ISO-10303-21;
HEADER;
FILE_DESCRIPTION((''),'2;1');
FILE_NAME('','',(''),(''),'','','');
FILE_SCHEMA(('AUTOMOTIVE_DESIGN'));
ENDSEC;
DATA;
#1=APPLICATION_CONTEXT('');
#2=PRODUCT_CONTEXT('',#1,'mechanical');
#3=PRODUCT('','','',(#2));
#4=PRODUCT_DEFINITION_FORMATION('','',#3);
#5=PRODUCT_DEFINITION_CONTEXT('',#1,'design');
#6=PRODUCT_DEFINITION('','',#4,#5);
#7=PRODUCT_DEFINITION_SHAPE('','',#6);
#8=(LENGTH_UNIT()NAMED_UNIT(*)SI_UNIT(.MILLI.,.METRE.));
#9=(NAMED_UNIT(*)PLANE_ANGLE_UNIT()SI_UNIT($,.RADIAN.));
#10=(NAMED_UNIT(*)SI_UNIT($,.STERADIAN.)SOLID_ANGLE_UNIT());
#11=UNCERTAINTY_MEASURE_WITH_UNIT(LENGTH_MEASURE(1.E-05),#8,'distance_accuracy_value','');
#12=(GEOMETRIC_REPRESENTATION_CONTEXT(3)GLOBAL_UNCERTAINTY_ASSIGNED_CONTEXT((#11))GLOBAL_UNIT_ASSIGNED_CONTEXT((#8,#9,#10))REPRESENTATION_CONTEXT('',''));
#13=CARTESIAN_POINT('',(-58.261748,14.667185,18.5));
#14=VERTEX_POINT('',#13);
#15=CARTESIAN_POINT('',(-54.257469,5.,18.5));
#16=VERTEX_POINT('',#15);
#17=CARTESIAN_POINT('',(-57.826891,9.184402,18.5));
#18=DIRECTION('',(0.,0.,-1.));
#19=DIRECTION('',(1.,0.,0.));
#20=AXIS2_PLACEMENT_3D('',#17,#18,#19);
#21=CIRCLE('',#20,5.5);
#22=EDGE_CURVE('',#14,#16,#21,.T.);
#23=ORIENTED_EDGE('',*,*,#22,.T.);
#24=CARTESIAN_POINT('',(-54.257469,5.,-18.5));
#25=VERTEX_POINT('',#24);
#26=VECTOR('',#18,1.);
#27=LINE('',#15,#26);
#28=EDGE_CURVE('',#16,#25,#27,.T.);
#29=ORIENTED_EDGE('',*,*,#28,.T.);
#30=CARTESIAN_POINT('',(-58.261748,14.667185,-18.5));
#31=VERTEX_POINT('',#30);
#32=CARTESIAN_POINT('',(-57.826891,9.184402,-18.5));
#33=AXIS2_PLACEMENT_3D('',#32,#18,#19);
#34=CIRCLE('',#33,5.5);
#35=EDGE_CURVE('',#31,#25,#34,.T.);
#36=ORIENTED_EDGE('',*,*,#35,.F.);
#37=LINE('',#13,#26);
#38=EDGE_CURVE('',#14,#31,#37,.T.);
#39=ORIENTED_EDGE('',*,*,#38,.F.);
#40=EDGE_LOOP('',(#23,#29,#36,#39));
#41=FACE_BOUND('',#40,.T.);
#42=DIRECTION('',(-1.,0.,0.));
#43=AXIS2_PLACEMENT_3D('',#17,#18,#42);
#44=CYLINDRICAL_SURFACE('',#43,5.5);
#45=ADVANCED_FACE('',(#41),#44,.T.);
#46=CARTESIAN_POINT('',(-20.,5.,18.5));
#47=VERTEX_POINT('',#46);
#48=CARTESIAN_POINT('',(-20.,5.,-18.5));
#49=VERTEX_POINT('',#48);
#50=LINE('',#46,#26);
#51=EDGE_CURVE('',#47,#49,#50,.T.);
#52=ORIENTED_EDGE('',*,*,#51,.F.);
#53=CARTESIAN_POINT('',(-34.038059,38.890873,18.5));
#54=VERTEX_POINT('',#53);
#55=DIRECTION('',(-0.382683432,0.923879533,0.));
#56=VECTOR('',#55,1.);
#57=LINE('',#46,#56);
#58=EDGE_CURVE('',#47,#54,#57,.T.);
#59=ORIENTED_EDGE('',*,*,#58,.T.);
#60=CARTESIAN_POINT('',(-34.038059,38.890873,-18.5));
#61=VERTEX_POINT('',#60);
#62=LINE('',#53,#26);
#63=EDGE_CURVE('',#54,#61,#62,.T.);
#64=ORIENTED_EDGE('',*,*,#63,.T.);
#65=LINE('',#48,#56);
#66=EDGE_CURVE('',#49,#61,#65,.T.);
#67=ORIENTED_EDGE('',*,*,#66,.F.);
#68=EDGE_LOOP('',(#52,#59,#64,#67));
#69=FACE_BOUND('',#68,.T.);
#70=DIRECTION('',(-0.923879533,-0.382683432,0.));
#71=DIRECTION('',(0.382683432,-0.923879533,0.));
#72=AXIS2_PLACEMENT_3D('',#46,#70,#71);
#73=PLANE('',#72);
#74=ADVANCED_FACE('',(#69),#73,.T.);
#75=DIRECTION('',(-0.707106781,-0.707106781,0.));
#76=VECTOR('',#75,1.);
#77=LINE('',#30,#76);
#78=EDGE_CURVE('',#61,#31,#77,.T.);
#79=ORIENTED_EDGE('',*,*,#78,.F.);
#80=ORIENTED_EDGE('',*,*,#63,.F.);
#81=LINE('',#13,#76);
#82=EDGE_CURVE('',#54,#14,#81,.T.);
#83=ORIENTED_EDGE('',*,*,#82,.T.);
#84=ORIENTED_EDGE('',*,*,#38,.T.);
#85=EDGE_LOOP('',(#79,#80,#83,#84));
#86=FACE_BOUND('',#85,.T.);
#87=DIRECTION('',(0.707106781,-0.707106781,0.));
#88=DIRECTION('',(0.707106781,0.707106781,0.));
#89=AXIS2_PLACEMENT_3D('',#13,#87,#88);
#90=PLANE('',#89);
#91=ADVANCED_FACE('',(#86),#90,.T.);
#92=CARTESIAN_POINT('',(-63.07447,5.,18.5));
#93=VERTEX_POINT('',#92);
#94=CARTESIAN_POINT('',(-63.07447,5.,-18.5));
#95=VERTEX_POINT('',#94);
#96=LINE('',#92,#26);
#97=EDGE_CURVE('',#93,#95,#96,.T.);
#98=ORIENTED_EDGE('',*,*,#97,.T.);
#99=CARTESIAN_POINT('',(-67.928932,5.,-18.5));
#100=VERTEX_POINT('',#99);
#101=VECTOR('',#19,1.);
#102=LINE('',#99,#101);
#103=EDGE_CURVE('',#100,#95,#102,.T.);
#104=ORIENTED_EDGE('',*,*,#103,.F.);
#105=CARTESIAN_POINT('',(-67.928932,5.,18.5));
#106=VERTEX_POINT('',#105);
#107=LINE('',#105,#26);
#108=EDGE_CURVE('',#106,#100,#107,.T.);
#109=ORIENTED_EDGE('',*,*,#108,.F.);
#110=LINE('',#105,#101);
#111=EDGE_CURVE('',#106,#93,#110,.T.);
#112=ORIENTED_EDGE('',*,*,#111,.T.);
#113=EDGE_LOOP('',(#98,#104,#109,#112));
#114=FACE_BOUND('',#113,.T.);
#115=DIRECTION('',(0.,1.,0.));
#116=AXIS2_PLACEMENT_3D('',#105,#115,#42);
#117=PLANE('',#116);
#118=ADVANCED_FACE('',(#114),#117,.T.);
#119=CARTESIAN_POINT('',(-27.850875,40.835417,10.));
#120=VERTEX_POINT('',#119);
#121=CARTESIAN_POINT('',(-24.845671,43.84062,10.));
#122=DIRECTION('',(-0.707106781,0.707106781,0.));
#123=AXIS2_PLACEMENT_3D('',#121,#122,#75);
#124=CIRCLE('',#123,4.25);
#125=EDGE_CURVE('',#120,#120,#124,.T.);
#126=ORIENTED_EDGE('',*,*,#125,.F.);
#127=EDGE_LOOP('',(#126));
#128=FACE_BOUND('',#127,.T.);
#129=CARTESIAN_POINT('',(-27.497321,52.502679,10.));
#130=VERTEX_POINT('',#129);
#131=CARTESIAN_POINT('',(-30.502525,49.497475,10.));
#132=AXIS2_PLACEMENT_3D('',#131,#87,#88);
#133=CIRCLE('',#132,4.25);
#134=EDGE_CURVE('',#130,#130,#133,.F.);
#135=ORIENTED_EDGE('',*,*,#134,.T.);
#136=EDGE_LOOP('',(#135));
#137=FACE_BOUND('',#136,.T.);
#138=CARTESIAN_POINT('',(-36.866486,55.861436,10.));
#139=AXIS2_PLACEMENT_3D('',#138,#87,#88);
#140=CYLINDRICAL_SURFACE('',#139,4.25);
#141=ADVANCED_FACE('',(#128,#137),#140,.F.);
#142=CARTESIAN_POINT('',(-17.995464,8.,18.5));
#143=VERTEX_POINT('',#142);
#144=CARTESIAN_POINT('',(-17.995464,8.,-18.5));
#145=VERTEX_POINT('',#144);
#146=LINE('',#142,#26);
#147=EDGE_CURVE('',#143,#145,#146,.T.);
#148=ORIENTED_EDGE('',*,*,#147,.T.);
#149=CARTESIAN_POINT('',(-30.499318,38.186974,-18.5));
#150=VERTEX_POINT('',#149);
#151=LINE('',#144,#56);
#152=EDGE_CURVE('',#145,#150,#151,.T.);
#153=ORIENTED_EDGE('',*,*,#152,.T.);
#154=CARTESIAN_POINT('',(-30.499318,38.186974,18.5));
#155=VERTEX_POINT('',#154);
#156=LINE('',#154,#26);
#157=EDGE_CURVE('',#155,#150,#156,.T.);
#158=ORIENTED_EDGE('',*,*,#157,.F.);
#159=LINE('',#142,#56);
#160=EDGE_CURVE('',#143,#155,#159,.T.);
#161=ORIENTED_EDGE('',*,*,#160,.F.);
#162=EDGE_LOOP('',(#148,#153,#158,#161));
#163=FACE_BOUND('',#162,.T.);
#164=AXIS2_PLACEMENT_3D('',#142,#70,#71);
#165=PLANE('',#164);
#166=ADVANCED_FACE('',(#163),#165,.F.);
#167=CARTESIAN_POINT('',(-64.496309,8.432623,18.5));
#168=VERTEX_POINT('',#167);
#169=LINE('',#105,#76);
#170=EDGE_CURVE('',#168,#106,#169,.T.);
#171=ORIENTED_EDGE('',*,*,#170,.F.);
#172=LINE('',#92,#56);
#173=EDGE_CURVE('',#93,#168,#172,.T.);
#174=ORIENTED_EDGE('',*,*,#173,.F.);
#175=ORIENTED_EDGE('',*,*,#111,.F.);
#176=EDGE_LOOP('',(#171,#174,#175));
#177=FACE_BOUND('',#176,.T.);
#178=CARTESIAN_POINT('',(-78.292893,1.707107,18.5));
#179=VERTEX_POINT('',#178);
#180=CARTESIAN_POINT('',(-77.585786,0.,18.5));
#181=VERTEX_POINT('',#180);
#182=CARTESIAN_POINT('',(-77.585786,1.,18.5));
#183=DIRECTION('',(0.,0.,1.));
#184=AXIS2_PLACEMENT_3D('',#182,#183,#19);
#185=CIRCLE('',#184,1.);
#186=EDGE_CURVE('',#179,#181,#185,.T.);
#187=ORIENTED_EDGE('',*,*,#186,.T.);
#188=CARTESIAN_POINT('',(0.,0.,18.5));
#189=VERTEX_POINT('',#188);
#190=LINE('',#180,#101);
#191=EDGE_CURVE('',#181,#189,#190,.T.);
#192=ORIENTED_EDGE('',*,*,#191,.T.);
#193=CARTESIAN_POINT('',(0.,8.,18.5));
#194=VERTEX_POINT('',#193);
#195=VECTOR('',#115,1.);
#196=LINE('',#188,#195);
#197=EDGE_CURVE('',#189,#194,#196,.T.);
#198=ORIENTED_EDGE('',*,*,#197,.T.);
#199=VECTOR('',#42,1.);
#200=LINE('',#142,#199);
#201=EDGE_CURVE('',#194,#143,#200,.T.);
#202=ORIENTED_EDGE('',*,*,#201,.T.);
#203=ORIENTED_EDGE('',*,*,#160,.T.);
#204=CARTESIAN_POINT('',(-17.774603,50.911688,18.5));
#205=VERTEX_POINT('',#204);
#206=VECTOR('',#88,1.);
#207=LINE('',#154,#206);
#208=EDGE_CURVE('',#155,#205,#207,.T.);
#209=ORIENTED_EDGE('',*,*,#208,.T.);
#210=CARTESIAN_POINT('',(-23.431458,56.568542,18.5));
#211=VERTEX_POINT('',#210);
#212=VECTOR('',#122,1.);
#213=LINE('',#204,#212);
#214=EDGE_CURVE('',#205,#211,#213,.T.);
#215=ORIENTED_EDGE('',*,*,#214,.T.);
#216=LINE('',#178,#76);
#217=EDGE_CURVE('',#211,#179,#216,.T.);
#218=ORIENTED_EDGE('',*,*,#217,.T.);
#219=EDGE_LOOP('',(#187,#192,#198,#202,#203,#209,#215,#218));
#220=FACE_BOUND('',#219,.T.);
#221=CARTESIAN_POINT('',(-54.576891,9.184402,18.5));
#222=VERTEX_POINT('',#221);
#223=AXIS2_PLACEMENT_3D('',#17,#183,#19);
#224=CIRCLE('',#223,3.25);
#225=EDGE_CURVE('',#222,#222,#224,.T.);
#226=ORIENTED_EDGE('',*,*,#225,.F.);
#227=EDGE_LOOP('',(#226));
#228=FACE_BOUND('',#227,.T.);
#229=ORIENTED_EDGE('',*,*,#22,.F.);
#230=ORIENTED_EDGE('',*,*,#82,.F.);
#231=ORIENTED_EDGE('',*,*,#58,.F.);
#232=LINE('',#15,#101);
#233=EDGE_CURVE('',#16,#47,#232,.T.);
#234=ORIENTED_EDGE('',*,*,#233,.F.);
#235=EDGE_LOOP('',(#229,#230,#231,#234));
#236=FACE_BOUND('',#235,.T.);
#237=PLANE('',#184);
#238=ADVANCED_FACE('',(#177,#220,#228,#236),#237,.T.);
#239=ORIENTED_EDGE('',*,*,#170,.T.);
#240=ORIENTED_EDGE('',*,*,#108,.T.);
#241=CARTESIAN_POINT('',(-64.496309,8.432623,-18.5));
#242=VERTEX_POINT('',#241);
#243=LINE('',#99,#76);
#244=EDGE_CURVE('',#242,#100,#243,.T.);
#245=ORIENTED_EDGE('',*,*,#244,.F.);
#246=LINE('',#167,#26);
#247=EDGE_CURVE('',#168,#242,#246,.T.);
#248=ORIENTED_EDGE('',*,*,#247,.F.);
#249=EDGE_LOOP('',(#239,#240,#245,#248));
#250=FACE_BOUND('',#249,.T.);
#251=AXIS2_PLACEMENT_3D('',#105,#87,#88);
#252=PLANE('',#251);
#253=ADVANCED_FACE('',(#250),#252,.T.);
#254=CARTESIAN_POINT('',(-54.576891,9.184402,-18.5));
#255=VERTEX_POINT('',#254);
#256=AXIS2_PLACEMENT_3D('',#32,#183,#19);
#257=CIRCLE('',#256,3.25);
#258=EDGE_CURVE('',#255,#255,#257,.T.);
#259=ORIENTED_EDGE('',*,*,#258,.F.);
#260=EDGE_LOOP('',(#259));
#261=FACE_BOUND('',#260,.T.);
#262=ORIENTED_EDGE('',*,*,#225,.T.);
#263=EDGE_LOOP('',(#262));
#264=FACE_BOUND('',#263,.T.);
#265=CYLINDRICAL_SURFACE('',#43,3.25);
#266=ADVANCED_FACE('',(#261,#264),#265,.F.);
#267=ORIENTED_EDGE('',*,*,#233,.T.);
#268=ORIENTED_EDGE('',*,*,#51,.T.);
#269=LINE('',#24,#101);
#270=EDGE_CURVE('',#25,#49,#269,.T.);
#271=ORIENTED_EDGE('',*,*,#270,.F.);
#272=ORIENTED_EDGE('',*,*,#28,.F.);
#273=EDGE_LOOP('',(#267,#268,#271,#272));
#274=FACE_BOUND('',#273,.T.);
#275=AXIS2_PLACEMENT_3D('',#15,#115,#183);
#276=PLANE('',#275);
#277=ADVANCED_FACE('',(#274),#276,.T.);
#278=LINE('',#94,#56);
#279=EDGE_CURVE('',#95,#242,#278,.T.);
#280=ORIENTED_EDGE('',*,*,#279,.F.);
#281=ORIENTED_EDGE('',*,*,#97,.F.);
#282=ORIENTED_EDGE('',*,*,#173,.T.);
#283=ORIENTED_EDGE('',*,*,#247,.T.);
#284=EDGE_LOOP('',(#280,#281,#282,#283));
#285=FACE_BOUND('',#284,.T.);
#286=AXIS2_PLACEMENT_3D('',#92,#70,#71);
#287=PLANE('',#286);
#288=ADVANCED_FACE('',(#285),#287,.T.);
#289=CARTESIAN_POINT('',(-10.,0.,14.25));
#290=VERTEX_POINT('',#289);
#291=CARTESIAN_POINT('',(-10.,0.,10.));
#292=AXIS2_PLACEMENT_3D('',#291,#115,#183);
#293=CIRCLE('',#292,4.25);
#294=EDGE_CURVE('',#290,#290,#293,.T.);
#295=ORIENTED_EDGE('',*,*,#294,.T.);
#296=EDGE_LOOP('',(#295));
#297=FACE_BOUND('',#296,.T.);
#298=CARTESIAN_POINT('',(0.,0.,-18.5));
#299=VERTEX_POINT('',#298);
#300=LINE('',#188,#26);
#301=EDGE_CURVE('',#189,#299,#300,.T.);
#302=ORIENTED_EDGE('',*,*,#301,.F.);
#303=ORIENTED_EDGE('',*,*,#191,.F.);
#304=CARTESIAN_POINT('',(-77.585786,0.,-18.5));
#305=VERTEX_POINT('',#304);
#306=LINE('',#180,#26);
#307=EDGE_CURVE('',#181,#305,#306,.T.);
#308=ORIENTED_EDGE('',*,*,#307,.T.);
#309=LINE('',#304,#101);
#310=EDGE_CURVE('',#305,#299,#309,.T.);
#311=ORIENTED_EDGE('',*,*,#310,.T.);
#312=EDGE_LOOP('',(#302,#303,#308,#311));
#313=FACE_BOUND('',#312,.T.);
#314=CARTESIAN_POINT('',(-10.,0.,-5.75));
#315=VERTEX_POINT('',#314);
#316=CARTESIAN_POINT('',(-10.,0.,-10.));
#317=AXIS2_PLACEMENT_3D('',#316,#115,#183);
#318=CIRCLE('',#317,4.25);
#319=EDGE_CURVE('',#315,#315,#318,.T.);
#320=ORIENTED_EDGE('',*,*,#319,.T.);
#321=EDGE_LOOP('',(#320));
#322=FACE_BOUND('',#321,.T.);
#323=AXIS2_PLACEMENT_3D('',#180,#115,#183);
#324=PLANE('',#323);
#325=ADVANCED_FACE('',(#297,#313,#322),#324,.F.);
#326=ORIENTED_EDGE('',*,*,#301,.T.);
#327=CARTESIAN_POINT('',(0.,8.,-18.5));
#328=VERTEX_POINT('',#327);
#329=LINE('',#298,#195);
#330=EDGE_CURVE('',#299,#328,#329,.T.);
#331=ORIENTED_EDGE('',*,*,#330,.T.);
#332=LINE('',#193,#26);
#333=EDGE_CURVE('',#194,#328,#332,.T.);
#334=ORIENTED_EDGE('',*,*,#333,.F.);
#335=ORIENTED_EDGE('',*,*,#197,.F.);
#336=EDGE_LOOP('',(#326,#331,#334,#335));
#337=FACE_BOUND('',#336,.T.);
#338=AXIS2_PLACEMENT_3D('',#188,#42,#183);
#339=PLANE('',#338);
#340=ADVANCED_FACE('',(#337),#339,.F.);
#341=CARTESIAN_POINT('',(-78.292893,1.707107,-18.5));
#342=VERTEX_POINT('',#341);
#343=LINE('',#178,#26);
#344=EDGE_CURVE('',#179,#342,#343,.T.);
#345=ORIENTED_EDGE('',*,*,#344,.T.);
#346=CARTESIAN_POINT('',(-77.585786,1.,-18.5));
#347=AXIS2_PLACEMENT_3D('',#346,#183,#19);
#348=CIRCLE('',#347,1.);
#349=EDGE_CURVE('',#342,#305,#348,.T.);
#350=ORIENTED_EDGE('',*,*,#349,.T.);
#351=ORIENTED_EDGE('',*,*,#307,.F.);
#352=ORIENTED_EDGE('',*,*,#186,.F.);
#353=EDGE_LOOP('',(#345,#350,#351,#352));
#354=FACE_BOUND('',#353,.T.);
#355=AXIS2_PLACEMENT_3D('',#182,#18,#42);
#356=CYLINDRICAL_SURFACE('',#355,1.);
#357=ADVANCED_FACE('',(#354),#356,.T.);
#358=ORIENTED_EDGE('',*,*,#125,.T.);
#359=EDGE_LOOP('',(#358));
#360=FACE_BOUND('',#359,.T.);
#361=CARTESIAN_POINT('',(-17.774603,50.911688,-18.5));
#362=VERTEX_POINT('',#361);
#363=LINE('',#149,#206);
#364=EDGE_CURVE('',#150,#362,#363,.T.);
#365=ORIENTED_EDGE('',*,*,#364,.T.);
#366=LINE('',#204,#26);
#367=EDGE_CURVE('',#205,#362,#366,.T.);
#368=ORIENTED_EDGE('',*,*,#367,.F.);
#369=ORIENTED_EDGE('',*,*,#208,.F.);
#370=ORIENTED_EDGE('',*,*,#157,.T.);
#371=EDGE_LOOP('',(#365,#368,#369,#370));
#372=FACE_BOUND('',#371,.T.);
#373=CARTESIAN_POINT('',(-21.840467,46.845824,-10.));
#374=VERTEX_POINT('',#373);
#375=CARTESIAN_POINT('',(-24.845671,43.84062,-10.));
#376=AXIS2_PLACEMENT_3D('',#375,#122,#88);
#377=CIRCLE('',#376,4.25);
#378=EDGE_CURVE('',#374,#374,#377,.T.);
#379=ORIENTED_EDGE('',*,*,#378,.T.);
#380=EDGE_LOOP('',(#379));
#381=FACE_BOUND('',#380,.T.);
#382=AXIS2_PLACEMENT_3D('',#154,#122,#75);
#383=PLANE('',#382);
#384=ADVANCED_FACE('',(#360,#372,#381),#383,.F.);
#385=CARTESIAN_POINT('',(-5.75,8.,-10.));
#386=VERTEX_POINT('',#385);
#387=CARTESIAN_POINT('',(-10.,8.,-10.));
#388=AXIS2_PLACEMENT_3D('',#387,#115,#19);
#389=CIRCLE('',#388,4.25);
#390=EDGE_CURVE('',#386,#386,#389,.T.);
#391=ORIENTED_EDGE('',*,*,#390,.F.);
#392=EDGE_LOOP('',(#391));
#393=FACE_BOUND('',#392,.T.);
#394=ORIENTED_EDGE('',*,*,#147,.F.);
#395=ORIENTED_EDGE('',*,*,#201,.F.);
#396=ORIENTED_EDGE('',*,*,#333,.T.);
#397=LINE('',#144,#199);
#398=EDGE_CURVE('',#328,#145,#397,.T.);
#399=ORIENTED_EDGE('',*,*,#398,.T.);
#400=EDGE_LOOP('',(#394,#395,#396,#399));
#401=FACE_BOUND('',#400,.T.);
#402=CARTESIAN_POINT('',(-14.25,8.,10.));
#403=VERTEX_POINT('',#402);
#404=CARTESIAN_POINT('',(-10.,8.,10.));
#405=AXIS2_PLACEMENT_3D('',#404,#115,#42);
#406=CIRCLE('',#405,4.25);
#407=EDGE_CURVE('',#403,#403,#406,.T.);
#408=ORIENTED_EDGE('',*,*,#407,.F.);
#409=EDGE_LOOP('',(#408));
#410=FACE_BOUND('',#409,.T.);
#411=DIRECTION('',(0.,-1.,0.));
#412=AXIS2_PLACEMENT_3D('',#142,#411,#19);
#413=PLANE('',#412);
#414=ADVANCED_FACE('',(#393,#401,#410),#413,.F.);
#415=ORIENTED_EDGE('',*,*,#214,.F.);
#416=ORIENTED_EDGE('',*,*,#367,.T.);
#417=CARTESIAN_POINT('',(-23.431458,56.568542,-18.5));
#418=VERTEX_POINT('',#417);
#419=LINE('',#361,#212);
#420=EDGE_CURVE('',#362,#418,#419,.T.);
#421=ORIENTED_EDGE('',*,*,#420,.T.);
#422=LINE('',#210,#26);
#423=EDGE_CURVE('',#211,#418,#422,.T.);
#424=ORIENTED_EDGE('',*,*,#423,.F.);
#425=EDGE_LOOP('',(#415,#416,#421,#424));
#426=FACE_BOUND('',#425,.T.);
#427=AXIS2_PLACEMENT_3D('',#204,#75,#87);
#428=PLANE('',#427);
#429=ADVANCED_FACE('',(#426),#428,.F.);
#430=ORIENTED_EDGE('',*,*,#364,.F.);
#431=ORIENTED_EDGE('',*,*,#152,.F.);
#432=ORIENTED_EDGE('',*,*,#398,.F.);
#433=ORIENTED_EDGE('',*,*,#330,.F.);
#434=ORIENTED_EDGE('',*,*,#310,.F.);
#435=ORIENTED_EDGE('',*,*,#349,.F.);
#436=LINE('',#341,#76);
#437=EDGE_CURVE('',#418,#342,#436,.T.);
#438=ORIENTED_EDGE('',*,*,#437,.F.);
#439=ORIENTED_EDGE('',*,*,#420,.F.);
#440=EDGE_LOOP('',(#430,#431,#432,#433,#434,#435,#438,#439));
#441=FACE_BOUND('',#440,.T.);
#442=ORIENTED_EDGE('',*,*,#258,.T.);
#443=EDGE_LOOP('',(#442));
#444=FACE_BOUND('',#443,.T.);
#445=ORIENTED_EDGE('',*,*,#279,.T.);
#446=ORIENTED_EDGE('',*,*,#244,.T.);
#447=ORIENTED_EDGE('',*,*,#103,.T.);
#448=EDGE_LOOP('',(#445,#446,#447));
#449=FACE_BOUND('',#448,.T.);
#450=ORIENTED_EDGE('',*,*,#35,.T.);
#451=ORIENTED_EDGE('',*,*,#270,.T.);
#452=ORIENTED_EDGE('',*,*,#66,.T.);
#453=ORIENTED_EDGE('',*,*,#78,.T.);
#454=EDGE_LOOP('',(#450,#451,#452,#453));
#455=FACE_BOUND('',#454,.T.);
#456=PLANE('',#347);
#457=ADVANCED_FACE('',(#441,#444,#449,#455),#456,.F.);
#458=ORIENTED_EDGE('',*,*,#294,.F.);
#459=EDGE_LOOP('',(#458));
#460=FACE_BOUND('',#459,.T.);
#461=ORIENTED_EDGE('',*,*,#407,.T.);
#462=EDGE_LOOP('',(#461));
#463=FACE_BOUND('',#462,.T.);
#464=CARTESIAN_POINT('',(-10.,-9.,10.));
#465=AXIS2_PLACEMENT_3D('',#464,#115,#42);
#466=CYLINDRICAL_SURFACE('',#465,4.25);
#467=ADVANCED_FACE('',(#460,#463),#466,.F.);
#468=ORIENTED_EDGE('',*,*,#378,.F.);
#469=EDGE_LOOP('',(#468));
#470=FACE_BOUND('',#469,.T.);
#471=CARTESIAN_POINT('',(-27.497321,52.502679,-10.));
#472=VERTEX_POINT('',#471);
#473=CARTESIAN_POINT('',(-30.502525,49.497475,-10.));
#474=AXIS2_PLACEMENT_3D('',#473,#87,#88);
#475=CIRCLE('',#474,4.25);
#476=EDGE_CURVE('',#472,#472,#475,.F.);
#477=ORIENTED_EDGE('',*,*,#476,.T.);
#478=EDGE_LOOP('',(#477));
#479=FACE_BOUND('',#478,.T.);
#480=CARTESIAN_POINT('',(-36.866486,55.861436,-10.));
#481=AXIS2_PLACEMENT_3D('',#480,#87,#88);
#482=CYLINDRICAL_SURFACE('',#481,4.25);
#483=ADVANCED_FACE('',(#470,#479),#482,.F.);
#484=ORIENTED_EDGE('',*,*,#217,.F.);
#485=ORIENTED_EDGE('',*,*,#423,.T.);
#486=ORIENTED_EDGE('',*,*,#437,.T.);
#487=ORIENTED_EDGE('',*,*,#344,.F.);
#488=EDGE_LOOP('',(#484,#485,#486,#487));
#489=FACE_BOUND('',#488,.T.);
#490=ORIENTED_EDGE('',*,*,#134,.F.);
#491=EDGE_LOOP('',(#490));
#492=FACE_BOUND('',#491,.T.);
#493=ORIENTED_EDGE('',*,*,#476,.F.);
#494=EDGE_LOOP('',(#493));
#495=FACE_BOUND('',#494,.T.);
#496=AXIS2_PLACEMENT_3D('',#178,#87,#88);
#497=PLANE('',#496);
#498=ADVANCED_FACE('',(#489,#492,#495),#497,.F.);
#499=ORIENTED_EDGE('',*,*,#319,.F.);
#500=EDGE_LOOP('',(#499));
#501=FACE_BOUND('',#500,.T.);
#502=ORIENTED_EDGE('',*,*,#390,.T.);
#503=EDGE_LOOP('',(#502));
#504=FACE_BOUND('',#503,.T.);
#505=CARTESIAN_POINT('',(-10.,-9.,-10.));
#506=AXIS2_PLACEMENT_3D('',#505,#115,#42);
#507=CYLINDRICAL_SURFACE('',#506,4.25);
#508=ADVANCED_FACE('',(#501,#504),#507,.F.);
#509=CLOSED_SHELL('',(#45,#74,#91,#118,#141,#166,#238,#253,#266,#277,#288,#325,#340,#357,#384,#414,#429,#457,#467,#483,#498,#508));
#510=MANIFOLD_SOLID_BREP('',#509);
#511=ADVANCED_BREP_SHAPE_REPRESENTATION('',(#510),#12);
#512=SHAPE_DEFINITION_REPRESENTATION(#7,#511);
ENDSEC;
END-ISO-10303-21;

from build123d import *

# Parameters (mm, degrees)
SKETCH_1_R          = 3.25
EXTRUDE_1_DEPTH     = 18.5
SKETCH_3_R          = 4.25
CUT_EXTRUDE_1_DEPTH = 17


with BuildPart() as part:
    # 草图1 → 凸台-拉伸1 (new, symmetric)
    with BuildSketch(Plane.XY):
        with BuildLine():
            Line((-77.585786438, 0), (0, 0))
            Line((0, 0), (0, 8))
            Line((0, 8), (-17.995464086, 8))
            Line((-17.995464086, 8), (-30.499317942, 38.186973559))
            Line((-30.499317942, 38.186973559), (-17.774603256, 50.911688245))
            Line((-17.774603256, 50.911688245), (-23.431457505, 56.568542495))
            Line((-23.431457505, 56.568542495), (-78.292893219, 1.707106781))
            ThreePointArc((-78.292893219, 1.707106781), (-78.50966597, 0.617316568), (-77.585786438, 0))
        make_face()
        with Locations((-57.82689122, 9.184402377)):
            Circle(SKETCH_1_R, mode=Mode.SUBTRACT)
        Polygon((-67.928932188, 5), (-63.07447047, 5), (-64.496309389, 8.4326228), align=None, mode=Mode.SUBTRACT)
        with BuildLine():
            Line((-54.257468753, 5), (-20, 5))
            Line((-20, 5), (-34.038059223, 38.890872965))
            Line((-34.038059223, 38.890872965), (-58.261747684, 14.667184504))
            ThreePointArc((-58.261747684, 14.667184504), (-52.745553791, 11.289161255), (-54.257468753, 5))
        make_face(mode=Mode.SUBTRACT)
    extrude(amount=EXTRUDE_1_DEPTH, both=True)

    # 草图3 → 切除-拉伸1 (cut)
    with BuildSketch(Plane(origin=(0, 8, 0), x_dir=(1, 0, 0), z_dir=(0, 1, 0))):
        with Locations(Location((-10, -10, 0), (0, 0, 180))):
            Circle(SKETCH_3_R)
        with Locations(Location((-10, 10, 0), (0, 0, 270))):
            Circle(SKETCH_3_R)
    cut_extrude_1 = extrude(amount=-CUT_EXTRUDE_1_DEPTH, mode=Mode.SUBTRACT)

    # 镜向1: 切除-拉伸1 across plane
    add(cut_extrude_1.mirror(Plane(origin=(-11.715728753, 28.284271247, 0), x_dir=(0, 0, 1), z_dir=(-0.3826834323650881, 0.9238795325112875, 0))), mode=Mode.SUBTRACT)


solid = part.part
